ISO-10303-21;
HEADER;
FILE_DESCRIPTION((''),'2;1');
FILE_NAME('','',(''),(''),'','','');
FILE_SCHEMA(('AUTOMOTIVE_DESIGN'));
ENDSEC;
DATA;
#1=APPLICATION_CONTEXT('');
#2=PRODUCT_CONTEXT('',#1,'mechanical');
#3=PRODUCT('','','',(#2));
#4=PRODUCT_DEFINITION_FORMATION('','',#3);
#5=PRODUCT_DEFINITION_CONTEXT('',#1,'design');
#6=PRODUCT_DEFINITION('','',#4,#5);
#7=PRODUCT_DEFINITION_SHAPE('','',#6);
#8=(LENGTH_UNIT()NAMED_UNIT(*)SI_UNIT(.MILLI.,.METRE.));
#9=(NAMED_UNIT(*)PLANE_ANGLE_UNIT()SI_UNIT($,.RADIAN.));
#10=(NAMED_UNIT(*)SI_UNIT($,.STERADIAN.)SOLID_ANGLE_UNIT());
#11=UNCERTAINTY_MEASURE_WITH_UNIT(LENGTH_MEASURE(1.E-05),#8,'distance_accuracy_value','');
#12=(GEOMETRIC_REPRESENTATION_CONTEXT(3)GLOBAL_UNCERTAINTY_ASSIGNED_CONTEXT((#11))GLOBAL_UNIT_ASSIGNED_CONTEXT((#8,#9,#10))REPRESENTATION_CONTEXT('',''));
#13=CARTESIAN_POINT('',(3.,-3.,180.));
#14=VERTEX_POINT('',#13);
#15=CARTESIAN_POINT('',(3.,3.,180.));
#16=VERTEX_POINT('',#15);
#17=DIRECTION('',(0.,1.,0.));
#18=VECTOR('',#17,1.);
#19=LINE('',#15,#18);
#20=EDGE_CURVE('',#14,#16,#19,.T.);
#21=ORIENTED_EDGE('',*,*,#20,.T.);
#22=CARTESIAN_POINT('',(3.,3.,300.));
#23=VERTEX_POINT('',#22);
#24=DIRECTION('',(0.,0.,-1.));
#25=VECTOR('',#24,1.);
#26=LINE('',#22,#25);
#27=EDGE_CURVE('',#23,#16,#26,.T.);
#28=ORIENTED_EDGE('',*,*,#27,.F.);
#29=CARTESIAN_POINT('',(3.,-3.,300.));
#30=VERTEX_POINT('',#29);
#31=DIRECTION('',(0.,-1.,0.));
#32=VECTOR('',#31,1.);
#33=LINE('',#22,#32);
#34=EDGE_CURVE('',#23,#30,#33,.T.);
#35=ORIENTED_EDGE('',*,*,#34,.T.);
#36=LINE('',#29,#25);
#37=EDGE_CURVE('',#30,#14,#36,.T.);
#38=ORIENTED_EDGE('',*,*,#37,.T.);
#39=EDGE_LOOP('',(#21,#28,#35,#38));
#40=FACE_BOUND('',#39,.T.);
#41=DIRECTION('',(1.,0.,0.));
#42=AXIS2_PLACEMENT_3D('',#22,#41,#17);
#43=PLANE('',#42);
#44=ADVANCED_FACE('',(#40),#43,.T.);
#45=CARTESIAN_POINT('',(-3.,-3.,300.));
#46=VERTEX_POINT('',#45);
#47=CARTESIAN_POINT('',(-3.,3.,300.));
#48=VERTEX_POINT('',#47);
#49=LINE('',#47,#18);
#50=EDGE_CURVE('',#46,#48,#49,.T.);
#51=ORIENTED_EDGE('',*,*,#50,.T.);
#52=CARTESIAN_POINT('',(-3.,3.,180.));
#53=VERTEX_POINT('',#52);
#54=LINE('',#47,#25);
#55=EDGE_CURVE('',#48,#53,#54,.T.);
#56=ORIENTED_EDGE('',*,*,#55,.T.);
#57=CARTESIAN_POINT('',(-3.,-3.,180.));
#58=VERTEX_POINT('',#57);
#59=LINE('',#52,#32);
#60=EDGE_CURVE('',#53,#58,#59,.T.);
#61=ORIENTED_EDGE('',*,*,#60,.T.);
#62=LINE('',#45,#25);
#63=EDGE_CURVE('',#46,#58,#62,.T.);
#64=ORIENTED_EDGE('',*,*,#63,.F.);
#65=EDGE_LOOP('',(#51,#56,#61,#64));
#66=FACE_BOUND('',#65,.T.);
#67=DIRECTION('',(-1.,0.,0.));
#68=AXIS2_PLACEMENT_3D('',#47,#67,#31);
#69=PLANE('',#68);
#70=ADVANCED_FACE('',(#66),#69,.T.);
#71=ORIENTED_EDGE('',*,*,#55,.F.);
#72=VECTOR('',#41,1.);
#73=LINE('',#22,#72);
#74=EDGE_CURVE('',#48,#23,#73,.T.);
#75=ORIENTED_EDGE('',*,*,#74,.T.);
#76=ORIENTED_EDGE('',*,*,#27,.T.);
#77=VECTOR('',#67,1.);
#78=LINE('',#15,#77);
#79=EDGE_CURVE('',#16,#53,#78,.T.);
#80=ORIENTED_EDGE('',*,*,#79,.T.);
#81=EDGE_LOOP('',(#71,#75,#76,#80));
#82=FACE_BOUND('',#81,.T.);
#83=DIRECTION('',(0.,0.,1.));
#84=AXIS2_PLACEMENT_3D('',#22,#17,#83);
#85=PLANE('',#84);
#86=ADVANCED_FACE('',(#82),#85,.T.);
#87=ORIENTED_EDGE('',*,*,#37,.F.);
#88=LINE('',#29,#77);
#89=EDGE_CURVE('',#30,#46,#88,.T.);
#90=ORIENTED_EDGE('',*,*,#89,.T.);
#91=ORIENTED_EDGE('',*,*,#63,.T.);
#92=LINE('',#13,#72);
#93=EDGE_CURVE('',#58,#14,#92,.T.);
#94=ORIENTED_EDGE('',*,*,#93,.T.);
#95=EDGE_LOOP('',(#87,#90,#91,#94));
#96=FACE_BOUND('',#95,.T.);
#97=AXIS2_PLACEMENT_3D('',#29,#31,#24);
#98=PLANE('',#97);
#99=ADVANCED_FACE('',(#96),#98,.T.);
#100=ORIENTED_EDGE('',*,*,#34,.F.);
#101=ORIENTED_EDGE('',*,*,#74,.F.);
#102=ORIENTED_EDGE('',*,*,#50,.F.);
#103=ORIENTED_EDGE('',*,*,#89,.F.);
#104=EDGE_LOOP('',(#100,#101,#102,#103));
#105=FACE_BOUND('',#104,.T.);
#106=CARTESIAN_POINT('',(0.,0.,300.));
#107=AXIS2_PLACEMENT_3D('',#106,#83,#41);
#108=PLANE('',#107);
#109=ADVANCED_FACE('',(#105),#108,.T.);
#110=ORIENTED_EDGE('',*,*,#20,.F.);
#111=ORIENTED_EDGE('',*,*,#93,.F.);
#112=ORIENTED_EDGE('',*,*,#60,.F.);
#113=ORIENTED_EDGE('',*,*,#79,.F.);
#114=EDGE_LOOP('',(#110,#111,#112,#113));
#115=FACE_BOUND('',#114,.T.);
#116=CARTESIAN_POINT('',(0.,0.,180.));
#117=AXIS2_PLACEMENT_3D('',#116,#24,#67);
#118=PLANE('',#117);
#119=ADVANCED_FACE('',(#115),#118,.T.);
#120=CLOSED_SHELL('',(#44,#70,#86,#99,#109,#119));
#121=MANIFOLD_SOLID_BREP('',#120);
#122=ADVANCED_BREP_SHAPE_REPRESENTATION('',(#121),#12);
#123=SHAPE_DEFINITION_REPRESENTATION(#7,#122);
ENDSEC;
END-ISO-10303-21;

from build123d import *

# Parameters (mm, degrees)
SKETCH_1_W            = 10
SKETCH_1_H            = 10
EXTRUDE_1_DEPTH       = 300
SKETCH_2_W            = 10
SKETCH_2_H            = 10
CUT_EXTRUDE_1_DEPTH   = 100
SKETCH_3_W            = 26
SKETCH_3_H            = 26
SKETCH_3_W_2          = 6
SKETCH_3_H_2          = 6
CUT_EXTRUDE_1_2_DEPTH = 201.124960962
SKETCH_4_W            = 6.990090154
SKETCH_4_H            = 6.654359222
CUT_EXTRUDE_2_DEPTH   = 80


with BuildPart() as part:
    # 草图1 → 凸台-拉伸1 (new body)
    with BuildSketch(Plane.XY):
        Rectangle(SKETCH_1_W, SKETCH_1_H)
    extrude(amount=EXTRUDE_1_DEPTH)

    # 草图2 → Cut-Extrude 1 (cut)
    with BuildSketch(Plane(origin=(0, 0, 0), x_dir=(-1, 0, 0), z_dir=(0, 0, -1))):
        Rectangle(SKETCH_2_W, SKETCH_2_H)
    extrude(amount=-CUT_EXTRUDE_1_DEPTH, mode=Mode.SUBTRACT)

    # 草图3 → Cut-Extrude 1 2 (cut, through all)
    with BuildSketch(Plane(origin=(0, 0, 100), x_dir=(-1, 0, 0), z_dir=(0, 0, -1))):
        Rectangle(SKETCH_3_W, SKETCH_3_H)
        Rectangle(SKETCH_3_W_2, SKETCH_3_H_2, mode=Mode.SUBTRACT)
    extrude(amount=-CUT_EXTRUDE_1_2_DEPTH, mode=Mode.SUBTRACT)

    # 草图4 → 切除-拉伸2 (cut)
    with BuildSketch(Plane(origin=(0, 0, 100), x_dir=(-1, 0, 0), z_dir=(0, 0, -1))):
        Rectangle(SKETCH_4_W, SKETCH_4_H)
    extrude(amount=-CUT_EXTRUDE_2_DEPTH, mode=Mode.SUBTRACT)


solid = part.part
